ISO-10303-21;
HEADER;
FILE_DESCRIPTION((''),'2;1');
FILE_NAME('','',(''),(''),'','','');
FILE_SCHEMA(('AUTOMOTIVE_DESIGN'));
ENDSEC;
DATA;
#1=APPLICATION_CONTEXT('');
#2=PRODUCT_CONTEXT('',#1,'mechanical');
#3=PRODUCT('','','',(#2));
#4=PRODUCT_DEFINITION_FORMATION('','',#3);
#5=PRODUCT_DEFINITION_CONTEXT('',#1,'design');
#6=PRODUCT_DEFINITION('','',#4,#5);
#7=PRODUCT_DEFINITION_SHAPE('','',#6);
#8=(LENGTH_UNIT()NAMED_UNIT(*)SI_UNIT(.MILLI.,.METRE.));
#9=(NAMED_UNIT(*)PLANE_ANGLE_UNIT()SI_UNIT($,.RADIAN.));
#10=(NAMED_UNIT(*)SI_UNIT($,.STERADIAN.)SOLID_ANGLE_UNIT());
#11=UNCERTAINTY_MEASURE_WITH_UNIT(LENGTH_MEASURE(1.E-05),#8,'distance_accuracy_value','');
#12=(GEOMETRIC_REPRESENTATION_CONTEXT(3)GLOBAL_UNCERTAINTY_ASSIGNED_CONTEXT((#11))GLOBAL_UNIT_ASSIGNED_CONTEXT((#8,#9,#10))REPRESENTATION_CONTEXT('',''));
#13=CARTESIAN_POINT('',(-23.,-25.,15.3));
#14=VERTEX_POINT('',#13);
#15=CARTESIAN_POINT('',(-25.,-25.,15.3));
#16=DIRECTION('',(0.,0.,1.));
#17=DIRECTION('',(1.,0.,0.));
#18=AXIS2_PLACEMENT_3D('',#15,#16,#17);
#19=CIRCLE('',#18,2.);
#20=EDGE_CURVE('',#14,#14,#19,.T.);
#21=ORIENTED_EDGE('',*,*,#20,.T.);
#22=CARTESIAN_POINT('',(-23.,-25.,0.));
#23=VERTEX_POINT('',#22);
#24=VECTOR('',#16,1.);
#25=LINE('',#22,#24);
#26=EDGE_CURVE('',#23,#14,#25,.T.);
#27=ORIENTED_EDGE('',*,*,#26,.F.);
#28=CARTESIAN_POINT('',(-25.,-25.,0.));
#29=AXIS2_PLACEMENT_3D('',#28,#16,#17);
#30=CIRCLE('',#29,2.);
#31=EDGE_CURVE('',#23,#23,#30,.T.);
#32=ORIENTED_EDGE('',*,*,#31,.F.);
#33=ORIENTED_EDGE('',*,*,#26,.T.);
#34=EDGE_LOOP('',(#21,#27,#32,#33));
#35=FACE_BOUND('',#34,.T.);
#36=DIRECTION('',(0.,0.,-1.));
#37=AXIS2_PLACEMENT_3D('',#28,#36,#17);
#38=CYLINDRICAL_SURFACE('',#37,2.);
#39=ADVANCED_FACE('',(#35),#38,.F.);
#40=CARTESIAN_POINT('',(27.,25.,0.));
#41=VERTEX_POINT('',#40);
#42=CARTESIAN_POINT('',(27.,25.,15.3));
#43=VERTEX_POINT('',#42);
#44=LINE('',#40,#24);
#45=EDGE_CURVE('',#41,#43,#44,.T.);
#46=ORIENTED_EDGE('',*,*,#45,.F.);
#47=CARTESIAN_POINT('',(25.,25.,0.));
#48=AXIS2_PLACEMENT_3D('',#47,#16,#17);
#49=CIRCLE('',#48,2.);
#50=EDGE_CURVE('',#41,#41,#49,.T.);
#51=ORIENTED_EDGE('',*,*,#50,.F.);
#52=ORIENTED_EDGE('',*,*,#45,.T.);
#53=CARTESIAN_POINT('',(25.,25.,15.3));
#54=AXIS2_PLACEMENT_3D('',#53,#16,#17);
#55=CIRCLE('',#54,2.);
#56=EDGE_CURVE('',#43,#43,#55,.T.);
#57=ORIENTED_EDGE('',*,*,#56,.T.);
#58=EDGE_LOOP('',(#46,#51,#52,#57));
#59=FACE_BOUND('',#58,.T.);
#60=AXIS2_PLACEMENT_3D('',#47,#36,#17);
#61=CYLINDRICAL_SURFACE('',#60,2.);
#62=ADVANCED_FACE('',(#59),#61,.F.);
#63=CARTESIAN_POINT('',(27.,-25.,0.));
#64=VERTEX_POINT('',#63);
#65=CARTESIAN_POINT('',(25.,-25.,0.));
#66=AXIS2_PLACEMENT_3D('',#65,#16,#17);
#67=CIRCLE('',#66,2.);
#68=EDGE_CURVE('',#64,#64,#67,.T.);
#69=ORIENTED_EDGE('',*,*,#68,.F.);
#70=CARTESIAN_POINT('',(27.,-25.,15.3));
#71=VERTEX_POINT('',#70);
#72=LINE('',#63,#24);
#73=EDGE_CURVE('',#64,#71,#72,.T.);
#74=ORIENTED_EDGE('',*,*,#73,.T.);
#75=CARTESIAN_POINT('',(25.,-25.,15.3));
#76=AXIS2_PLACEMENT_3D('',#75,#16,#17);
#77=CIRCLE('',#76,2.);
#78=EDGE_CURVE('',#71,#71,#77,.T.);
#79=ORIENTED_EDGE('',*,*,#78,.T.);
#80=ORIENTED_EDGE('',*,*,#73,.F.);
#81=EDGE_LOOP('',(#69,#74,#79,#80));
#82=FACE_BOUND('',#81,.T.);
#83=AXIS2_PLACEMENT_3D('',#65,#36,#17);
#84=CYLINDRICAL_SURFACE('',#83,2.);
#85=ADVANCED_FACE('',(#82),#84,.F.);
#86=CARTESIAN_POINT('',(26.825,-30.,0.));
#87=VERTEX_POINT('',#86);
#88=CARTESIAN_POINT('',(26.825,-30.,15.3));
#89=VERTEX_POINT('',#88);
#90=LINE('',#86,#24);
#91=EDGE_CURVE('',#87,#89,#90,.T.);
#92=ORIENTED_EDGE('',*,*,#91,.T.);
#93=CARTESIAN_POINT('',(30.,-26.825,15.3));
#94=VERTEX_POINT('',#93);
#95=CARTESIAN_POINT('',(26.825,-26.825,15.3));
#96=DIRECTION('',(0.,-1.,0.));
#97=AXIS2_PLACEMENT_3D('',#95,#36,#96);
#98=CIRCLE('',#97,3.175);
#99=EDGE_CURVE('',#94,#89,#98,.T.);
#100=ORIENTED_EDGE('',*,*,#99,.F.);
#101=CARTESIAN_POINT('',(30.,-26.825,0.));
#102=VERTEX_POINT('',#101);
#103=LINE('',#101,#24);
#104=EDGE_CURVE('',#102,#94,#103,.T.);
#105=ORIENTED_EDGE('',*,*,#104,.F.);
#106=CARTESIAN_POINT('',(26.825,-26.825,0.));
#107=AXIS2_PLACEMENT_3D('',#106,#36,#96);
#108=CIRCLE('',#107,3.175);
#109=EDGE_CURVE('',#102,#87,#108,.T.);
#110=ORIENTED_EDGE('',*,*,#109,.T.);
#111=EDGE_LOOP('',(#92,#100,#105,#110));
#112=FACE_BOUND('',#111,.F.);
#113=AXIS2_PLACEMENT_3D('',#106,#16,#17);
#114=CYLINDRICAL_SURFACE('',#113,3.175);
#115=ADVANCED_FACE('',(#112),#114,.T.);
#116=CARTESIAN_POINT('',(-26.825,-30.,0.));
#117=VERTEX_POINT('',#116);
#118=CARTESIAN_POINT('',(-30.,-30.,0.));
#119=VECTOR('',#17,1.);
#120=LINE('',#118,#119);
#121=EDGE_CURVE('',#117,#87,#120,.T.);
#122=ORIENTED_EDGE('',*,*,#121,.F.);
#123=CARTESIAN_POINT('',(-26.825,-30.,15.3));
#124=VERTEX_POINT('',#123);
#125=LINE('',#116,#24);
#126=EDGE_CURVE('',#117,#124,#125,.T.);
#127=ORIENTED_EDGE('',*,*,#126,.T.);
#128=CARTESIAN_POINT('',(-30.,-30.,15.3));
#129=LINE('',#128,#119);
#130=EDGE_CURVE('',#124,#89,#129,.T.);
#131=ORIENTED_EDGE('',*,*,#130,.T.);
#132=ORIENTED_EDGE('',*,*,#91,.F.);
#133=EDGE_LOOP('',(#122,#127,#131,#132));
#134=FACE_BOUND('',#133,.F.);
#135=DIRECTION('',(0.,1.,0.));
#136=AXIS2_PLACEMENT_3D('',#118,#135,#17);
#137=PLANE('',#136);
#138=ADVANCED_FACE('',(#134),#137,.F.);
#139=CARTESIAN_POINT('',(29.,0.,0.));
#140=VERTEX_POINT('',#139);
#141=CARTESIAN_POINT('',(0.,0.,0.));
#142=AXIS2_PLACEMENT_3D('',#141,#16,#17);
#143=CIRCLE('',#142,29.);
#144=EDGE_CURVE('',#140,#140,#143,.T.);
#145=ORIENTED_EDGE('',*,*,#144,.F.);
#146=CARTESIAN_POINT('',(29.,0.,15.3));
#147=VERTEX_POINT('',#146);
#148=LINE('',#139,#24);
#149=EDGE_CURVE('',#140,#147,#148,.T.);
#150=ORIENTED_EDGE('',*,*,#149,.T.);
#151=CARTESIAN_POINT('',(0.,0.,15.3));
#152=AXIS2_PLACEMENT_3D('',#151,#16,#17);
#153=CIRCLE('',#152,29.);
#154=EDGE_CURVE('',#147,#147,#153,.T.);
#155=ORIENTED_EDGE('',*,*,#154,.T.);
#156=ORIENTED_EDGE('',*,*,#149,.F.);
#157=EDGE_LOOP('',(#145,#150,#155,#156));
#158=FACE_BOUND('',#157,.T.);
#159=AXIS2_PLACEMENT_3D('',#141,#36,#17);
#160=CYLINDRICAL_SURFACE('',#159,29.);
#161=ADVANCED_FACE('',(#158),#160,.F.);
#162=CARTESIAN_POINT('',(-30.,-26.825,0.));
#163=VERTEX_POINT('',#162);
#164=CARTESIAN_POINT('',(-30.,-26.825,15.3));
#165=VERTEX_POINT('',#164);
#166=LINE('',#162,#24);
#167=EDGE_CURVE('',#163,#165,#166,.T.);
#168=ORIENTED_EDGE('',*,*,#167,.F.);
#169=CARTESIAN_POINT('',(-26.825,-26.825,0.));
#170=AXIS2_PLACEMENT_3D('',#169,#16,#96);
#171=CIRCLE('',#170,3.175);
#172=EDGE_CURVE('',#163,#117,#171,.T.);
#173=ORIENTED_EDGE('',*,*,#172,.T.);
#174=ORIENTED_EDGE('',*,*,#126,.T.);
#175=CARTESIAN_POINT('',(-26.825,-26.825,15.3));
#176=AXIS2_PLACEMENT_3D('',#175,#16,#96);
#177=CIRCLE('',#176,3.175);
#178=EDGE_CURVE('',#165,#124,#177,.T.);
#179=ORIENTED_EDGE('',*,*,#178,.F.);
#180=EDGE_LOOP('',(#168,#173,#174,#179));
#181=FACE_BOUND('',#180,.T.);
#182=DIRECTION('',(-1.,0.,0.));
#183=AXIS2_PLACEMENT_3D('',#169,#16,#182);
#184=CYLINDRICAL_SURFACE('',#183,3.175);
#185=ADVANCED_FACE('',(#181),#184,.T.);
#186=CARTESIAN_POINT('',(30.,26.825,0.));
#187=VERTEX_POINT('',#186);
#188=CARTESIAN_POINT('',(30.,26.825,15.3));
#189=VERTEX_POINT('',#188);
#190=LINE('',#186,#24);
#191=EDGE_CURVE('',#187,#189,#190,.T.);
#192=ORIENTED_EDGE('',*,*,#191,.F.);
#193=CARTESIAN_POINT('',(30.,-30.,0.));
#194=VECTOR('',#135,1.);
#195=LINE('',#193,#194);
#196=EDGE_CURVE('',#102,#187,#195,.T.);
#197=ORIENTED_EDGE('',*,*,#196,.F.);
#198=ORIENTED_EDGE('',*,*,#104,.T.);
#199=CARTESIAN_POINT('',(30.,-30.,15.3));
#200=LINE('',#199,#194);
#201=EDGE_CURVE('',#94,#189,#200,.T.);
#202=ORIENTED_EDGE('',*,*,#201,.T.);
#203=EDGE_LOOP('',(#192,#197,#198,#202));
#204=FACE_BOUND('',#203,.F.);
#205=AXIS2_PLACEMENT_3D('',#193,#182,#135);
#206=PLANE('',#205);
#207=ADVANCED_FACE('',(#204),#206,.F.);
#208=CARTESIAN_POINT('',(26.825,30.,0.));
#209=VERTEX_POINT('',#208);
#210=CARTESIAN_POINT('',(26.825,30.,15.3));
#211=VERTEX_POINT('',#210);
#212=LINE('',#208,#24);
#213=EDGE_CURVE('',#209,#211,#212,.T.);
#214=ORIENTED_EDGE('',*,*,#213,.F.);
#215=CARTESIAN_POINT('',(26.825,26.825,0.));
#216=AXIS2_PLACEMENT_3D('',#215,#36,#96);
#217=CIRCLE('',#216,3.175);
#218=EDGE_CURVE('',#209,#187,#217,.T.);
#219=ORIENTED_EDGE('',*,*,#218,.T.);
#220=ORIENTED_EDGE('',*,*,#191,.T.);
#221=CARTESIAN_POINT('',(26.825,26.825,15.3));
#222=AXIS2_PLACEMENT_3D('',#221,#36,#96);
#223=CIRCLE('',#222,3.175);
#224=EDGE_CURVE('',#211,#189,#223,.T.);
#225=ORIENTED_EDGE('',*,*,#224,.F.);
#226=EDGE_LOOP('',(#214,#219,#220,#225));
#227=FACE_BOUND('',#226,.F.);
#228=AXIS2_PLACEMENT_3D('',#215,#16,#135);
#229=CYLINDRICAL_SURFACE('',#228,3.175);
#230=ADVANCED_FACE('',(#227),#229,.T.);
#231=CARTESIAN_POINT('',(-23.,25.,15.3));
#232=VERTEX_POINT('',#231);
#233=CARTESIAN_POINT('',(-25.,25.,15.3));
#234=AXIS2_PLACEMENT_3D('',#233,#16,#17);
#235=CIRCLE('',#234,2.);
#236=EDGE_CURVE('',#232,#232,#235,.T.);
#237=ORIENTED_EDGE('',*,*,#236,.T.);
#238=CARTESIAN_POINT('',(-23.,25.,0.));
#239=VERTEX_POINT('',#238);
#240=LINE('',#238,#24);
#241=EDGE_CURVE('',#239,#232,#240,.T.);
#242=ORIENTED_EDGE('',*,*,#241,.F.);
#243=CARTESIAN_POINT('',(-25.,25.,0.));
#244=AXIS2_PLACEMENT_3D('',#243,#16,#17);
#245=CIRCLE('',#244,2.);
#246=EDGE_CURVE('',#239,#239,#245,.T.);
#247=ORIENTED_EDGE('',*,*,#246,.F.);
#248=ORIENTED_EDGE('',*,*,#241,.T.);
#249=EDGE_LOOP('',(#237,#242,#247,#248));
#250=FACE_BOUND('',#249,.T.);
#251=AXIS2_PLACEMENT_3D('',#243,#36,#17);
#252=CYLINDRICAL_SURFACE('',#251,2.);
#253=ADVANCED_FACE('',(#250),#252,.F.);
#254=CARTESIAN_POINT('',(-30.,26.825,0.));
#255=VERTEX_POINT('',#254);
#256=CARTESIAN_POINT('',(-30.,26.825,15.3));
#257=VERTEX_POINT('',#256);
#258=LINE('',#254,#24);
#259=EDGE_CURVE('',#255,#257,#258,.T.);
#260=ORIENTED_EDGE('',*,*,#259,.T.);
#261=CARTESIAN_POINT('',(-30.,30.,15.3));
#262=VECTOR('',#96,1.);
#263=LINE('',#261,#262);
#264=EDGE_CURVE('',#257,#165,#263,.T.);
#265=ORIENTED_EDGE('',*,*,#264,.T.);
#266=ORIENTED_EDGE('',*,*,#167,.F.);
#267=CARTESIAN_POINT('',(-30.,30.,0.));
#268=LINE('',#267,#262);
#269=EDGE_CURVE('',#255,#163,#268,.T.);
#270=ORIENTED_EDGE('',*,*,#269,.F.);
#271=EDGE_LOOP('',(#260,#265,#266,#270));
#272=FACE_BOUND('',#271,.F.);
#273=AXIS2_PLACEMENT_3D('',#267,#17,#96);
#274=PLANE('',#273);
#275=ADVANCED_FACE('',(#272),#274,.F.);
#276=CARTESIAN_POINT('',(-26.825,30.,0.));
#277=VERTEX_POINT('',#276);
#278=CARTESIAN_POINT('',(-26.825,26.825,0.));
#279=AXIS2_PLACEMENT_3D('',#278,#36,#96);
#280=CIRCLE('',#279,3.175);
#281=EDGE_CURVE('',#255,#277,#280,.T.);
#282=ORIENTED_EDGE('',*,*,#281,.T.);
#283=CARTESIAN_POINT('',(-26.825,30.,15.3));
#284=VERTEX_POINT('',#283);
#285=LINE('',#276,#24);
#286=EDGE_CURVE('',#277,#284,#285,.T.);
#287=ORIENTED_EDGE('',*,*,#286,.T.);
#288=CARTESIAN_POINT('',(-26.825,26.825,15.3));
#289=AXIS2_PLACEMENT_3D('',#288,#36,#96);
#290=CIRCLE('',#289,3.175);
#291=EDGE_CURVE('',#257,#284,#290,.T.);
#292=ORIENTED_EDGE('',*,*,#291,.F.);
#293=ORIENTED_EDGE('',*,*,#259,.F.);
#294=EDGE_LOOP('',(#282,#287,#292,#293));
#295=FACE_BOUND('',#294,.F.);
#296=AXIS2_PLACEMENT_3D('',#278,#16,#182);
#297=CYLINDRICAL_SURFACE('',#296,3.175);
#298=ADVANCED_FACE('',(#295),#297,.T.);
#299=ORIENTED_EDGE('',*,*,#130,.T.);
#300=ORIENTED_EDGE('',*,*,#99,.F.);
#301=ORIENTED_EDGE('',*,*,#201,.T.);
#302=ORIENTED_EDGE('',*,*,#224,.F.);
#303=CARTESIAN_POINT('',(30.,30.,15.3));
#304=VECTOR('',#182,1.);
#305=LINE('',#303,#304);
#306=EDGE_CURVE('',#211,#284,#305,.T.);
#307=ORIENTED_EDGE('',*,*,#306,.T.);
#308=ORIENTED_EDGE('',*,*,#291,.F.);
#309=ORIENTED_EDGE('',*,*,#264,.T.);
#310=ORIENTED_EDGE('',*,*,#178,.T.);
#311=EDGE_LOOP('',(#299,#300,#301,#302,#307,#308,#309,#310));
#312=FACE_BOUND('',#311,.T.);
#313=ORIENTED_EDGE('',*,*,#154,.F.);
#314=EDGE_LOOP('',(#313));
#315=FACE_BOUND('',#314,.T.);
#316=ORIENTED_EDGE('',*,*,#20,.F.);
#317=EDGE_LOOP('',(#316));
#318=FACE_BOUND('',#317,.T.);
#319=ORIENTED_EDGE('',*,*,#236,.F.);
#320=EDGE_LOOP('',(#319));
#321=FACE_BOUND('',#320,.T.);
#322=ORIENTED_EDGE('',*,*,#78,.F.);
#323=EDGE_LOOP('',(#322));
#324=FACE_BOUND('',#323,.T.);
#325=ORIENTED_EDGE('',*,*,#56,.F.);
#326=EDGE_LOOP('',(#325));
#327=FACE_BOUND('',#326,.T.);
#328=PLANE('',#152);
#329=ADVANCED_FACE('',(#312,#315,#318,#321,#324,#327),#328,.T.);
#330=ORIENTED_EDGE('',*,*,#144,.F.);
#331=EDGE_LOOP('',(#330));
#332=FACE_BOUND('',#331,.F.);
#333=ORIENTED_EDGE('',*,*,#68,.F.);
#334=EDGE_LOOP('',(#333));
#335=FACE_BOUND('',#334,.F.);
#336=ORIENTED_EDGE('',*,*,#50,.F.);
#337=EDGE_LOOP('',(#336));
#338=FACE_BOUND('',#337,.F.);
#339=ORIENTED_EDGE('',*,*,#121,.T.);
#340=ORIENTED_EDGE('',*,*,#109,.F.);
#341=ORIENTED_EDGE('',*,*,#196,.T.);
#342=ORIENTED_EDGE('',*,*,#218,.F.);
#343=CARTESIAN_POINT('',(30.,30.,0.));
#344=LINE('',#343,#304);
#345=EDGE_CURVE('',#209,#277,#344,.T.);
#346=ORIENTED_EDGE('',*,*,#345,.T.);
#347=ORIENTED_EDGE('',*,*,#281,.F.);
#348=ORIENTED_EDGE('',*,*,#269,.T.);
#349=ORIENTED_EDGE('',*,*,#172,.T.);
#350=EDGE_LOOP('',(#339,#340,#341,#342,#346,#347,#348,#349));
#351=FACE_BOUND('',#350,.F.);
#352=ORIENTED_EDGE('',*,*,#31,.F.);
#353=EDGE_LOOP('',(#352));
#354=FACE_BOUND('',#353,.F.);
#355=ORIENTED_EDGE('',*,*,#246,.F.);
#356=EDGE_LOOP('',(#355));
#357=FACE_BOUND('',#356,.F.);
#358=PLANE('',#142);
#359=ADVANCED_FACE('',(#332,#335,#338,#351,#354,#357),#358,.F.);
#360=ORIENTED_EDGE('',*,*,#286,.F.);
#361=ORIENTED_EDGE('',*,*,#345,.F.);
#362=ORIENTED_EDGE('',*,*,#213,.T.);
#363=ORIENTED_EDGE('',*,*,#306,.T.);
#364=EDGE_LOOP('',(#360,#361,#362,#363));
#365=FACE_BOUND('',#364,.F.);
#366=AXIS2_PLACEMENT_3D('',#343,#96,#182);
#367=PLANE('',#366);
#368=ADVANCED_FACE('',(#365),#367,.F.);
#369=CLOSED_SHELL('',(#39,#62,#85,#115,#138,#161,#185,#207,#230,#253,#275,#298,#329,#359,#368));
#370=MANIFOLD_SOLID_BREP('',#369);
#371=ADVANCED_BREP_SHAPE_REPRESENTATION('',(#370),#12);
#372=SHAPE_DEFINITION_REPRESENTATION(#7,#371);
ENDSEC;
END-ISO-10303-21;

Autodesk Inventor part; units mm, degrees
ref_plane "YZ Plane" through (0, 0, 0) normal (1, 0, 0) x (0, 1, 0)
ref_plane "XZ Plane" through (0, 0, 0) normal (0, 1, 0) x (-1, 0, 0)
ref_plane "XY Plane" through (0, 0, 0) normal (0, 0, 1) x (1, 0, 0)
sketch "Sketch1" plane through (0, 0, 0) normal (0, 0, 1) x (1, 0, 0)
  line L0 (-30, -30) -> (30, -30)
  line L1 (30, -30) -> (30, 30)
  line L2 (30, 30) -> (-30, 30)
  line L3 (-30, 30) -> (-30, -30)
  line L4 (-30, -30) -> (30, 30) construction
  line L5 (30, -30) -> (-30, 30) construction
  circle A0 centre (0, 0) radius 29
  circle A1 centre (-25, 25) radius 2
  circle A2 centre (25, 25) radius 2
  circle A3 centre (25, -25) radius 2
  circle A4 centre (-25, -25) radius 2
  line L6 (-25, 25) -> (25, 25) construction
  line L7 (25, 25) -> (25, -25) construction
  line L8 (25, -25) -> (-25, -25) construction
  dimension "d0" = 60
  dimension "d3" = 50
  dimension "d4" = 4
  dimension "d5" = 58
extrude "Extrusion1" add sketch "Sketch1" along normal blind 15.3
fillet "Fillet1" radius 3.175 4 edges at (30, 30, 7.65) (30, -30, 7.65) (-30, 30, 7.65) (-30, -30, 7.65)
properties part number "Fan"
